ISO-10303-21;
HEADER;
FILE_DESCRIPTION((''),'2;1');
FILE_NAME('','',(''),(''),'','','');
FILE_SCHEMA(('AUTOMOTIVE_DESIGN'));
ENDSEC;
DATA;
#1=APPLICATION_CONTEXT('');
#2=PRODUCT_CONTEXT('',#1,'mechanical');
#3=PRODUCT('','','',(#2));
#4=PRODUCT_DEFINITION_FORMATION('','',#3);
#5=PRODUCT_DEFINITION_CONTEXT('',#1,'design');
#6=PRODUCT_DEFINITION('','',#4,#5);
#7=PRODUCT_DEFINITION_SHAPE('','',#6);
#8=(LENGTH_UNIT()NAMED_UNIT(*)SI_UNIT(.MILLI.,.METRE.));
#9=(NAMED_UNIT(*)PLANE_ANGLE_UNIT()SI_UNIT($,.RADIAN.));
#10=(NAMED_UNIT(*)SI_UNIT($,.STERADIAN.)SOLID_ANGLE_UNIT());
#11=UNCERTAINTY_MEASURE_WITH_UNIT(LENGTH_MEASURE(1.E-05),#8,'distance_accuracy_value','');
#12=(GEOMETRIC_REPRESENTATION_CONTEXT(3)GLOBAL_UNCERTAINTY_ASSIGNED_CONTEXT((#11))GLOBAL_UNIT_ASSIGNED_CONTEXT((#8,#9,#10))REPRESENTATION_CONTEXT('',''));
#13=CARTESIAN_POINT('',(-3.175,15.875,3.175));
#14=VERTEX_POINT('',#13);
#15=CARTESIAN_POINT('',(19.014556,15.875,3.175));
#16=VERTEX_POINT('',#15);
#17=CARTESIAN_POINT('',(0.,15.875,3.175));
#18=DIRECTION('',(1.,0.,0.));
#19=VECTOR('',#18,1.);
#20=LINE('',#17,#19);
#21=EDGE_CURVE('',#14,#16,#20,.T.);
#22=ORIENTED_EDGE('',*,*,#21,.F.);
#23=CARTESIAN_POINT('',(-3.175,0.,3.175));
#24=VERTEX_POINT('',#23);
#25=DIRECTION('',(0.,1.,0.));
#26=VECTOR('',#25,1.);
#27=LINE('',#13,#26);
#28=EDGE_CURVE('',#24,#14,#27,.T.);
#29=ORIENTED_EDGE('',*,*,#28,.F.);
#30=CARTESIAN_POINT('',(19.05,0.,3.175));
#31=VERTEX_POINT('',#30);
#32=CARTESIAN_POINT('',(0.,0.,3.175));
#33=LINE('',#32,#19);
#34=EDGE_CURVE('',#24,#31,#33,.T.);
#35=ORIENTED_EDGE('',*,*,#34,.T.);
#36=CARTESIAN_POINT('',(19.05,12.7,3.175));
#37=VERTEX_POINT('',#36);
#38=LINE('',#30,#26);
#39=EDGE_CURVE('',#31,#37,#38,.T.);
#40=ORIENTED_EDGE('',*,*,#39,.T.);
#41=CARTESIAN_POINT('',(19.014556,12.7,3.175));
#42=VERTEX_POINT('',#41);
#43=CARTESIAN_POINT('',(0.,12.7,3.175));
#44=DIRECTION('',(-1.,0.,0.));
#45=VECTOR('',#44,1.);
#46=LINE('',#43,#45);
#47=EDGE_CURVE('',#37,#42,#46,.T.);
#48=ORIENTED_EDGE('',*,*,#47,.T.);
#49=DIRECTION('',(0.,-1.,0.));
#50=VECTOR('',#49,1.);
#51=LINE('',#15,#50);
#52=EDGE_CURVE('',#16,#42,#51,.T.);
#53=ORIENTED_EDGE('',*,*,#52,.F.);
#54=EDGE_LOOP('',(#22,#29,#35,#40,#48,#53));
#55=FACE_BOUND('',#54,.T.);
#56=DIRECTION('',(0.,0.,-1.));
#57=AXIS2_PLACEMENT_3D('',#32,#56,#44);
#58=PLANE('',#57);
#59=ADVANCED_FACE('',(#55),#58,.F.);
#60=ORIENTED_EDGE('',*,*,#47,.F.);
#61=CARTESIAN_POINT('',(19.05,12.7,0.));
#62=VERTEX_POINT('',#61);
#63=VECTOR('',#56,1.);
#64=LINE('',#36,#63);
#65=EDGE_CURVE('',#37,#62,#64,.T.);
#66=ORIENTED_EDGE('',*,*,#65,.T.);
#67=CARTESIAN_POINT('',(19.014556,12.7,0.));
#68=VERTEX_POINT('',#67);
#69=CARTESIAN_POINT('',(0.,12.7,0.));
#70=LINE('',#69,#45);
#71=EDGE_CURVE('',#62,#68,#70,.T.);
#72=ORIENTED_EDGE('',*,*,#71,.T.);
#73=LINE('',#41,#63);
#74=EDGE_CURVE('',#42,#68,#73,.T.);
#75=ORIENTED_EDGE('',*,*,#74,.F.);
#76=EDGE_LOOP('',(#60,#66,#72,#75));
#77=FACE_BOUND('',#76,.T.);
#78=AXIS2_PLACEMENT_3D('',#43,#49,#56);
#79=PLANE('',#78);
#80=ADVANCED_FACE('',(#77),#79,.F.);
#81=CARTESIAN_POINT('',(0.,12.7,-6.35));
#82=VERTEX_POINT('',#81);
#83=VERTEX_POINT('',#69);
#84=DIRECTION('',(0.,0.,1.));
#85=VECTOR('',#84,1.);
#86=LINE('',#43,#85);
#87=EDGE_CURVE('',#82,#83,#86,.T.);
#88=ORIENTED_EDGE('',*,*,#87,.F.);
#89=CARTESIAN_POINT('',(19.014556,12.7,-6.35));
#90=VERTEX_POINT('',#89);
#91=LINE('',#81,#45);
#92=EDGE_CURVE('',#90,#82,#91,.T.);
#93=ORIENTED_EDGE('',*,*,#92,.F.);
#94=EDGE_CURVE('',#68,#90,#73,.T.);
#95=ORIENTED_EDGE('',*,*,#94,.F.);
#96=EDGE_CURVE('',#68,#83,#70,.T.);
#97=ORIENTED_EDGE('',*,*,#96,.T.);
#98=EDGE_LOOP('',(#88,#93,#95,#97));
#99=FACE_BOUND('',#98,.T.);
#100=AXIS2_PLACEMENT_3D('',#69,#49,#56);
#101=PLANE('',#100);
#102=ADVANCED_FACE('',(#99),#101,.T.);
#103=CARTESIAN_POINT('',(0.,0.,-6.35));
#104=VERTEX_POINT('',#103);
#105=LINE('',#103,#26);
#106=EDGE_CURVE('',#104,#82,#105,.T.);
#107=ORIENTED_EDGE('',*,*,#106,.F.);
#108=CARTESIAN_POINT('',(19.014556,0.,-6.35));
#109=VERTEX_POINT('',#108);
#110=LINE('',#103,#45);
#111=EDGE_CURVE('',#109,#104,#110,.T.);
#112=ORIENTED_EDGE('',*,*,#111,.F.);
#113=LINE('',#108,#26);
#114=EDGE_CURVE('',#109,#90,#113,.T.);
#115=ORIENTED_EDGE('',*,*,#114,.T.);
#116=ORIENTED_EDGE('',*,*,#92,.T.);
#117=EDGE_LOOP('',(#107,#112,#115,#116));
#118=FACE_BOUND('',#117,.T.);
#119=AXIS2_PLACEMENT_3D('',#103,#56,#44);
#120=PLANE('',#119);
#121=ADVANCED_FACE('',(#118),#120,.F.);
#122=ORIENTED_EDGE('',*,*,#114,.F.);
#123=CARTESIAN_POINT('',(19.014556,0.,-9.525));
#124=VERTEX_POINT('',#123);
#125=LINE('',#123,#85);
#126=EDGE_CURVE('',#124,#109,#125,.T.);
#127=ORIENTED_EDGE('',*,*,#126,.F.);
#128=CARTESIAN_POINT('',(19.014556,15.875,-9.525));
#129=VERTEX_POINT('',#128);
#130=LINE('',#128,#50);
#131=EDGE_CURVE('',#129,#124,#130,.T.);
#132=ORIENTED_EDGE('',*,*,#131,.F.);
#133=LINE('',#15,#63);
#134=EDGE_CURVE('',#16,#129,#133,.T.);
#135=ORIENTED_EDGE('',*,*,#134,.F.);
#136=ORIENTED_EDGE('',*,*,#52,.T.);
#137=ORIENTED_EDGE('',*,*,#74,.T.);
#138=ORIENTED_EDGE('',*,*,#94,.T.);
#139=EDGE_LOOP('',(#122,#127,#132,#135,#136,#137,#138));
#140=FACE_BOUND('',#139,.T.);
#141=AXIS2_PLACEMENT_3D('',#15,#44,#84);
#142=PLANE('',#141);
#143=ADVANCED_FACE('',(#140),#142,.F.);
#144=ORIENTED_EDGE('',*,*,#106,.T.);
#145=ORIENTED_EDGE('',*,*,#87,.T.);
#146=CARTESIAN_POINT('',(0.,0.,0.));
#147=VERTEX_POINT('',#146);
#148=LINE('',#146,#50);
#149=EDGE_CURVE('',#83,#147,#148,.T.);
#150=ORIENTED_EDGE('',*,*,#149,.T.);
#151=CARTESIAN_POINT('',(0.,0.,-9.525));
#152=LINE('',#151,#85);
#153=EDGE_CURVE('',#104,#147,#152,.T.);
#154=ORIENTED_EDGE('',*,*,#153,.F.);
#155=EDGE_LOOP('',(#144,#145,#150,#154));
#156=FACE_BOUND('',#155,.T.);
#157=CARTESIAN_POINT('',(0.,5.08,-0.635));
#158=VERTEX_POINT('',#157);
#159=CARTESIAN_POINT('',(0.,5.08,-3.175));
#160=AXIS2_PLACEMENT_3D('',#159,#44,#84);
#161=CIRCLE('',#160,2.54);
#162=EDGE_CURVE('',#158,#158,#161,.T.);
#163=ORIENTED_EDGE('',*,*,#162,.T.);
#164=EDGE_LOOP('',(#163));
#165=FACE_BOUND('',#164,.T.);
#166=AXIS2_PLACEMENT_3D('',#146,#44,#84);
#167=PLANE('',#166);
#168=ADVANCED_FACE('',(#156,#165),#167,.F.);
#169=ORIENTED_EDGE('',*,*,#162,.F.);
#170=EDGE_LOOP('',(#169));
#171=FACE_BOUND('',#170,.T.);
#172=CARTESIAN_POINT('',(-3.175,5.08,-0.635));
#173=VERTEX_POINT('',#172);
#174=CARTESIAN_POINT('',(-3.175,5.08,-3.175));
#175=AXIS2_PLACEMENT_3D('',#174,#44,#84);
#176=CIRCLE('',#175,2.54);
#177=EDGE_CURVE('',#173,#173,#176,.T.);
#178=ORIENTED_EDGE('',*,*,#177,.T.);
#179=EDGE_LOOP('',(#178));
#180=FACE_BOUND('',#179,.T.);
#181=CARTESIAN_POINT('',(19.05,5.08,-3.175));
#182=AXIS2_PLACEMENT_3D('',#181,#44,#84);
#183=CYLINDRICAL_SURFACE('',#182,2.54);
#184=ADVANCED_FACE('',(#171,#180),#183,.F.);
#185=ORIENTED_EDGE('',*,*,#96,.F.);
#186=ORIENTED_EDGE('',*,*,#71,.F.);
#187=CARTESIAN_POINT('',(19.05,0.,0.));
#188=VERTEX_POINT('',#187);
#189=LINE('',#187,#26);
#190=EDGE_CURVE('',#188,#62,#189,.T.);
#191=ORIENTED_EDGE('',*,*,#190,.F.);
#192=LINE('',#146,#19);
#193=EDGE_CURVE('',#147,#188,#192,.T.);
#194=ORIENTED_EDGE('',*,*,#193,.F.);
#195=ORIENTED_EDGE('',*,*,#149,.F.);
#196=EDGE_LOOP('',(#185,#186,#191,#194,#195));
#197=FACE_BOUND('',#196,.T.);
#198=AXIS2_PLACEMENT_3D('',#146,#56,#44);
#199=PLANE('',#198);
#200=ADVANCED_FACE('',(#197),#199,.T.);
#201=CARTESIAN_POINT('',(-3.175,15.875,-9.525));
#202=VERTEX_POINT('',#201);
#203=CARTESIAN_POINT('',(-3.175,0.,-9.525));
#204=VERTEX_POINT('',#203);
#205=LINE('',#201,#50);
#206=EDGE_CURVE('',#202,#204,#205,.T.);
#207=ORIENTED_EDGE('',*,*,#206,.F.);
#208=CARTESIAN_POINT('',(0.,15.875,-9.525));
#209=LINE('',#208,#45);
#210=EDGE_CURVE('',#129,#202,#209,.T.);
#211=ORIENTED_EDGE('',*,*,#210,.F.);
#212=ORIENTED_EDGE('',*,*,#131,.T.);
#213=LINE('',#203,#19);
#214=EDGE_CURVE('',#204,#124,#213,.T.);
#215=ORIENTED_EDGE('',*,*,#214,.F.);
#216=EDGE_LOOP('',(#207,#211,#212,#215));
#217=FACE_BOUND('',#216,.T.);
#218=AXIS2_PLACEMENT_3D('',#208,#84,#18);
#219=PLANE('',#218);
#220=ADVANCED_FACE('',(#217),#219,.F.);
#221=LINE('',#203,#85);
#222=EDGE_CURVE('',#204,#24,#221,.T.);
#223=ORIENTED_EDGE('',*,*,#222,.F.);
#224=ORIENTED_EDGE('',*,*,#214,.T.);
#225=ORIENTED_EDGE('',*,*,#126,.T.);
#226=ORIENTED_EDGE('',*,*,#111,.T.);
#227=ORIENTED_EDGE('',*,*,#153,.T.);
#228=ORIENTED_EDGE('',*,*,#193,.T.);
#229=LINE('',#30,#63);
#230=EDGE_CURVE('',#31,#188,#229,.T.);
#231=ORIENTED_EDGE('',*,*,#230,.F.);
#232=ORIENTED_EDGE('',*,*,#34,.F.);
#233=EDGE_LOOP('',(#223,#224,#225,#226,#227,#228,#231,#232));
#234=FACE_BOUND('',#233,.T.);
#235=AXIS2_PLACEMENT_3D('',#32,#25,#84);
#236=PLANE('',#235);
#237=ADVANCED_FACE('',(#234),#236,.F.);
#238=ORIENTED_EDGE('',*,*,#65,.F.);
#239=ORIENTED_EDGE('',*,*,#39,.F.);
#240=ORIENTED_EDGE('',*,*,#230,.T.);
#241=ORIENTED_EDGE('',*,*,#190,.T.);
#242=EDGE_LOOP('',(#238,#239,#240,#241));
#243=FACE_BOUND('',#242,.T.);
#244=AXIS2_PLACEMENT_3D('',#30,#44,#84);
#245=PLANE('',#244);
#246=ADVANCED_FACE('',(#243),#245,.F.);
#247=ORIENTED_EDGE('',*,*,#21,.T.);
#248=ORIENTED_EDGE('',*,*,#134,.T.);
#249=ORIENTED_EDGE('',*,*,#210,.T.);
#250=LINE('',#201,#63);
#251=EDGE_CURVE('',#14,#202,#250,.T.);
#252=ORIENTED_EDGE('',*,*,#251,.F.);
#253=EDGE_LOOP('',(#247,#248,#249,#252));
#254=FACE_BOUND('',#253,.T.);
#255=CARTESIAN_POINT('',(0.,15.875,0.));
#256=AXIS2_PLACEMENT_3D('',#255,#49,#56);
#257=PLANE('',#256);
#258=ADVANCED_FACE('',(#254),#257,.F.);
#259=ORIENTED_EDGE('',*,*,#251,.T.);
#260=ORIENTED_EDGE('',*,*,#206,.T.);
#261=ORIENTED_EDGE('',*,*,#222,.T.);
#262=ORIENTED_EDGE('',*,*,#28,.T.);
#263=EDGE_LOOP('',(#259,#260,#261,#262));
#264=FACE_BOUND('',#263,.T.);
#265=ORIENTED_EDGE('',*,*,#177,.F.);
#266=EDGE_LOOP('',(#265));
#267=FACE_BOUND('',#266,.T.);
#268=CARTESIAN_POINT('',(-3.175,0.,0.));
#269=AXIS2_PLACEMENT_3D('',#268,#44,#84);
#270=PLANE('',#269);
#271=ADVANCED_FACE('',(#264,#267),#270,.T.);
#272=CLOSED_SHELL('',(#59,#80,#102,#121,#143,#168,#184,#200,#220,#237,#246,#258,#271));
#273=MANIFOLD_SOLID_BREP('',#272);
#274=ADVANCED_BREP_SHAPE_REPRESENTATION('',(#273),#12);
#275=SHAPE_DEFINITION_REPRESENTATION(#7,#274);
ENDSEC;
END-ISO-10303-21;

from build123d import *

# Parameters (mm, degrees)
SKETCH1_W           = 19.05
SKETCH1_H           = 12.7
BOSS_EXTRUDE1_DEPTH = 3.175
SKETCH3_W           = 19.014556256
SKETCH3_H           = 12.7
BOSS_EXTRUDE2_DEPTH = 3.175
SKETCH5_W           = 12.7
SKETCH5_H           = 15.875
BOSS_EXTRUDE4_DEPTH = 3.175
SKETCH6_R           = 2.54
CUT_EXTRUDE1_DEPTH  = 23.225
SKETCH4_W           = 19.014556256
SKETCH4_H           = 3.175
BOSS_EXTRUDE5_DEPTH = 12.7


with BuildPart() as part:
    # Sketch1 → Boss-Extrude1 (new body)
    with BuildSketch(Plane.XY):
        with Locations((9.525, 6.35)):
            Rectangle(SKETCH1_W, SKETCH1_H)
    extrude(amount=BOSS_EXTRUDE1_DEPTH)

    # Sketch3 → Boss-Extrude2 (add)
    with BuildSketch(Plane(origin=(0, 12.7, 0), x_dir=(1, 0, 0), z_dir=(0, 1, 0))):
        with Locations((9.507278128, 3.175)):
            Rectangle(SKETCH3_W, SKETCH3_H)
    extrude(amount=BOSS_EXTRUDE2_DEPTH)

    # Sketch5 → Boss-Extrude4 (add)
    with BuildSketch(Plane.ZY):
        with Locations((-3.175, 7.9375)):
            Rectangle(SKETCH5_W, SKETCH5_H)
    extrude(amount=BOSS_EXTRUDE4_DEPTH)

    # Sketch6 → Cut-Extrude1 (cut, through all)
    with BuildSketch(Plane.ZY.offset(3.175)):
        with Locations((-3.175, 5.08)):
            Circle(SKETCH6_R)
    extrude(amount=-CUT_EXTRUDE1_DEPTH, mode=Mode.SUBTRACT)

    # Sketch4 → Boss-Extrude5 (add)
    with BuildSketch(Plane.XZ.offset(-12.7)):
        with Locations((9.507278128, -7.9375)):
            Rectangle(SKETCH4_W, SKETCH4_H)
    extrude(amount=BOSS_EXTRUDE5_DEPTH)


solid = part.part
